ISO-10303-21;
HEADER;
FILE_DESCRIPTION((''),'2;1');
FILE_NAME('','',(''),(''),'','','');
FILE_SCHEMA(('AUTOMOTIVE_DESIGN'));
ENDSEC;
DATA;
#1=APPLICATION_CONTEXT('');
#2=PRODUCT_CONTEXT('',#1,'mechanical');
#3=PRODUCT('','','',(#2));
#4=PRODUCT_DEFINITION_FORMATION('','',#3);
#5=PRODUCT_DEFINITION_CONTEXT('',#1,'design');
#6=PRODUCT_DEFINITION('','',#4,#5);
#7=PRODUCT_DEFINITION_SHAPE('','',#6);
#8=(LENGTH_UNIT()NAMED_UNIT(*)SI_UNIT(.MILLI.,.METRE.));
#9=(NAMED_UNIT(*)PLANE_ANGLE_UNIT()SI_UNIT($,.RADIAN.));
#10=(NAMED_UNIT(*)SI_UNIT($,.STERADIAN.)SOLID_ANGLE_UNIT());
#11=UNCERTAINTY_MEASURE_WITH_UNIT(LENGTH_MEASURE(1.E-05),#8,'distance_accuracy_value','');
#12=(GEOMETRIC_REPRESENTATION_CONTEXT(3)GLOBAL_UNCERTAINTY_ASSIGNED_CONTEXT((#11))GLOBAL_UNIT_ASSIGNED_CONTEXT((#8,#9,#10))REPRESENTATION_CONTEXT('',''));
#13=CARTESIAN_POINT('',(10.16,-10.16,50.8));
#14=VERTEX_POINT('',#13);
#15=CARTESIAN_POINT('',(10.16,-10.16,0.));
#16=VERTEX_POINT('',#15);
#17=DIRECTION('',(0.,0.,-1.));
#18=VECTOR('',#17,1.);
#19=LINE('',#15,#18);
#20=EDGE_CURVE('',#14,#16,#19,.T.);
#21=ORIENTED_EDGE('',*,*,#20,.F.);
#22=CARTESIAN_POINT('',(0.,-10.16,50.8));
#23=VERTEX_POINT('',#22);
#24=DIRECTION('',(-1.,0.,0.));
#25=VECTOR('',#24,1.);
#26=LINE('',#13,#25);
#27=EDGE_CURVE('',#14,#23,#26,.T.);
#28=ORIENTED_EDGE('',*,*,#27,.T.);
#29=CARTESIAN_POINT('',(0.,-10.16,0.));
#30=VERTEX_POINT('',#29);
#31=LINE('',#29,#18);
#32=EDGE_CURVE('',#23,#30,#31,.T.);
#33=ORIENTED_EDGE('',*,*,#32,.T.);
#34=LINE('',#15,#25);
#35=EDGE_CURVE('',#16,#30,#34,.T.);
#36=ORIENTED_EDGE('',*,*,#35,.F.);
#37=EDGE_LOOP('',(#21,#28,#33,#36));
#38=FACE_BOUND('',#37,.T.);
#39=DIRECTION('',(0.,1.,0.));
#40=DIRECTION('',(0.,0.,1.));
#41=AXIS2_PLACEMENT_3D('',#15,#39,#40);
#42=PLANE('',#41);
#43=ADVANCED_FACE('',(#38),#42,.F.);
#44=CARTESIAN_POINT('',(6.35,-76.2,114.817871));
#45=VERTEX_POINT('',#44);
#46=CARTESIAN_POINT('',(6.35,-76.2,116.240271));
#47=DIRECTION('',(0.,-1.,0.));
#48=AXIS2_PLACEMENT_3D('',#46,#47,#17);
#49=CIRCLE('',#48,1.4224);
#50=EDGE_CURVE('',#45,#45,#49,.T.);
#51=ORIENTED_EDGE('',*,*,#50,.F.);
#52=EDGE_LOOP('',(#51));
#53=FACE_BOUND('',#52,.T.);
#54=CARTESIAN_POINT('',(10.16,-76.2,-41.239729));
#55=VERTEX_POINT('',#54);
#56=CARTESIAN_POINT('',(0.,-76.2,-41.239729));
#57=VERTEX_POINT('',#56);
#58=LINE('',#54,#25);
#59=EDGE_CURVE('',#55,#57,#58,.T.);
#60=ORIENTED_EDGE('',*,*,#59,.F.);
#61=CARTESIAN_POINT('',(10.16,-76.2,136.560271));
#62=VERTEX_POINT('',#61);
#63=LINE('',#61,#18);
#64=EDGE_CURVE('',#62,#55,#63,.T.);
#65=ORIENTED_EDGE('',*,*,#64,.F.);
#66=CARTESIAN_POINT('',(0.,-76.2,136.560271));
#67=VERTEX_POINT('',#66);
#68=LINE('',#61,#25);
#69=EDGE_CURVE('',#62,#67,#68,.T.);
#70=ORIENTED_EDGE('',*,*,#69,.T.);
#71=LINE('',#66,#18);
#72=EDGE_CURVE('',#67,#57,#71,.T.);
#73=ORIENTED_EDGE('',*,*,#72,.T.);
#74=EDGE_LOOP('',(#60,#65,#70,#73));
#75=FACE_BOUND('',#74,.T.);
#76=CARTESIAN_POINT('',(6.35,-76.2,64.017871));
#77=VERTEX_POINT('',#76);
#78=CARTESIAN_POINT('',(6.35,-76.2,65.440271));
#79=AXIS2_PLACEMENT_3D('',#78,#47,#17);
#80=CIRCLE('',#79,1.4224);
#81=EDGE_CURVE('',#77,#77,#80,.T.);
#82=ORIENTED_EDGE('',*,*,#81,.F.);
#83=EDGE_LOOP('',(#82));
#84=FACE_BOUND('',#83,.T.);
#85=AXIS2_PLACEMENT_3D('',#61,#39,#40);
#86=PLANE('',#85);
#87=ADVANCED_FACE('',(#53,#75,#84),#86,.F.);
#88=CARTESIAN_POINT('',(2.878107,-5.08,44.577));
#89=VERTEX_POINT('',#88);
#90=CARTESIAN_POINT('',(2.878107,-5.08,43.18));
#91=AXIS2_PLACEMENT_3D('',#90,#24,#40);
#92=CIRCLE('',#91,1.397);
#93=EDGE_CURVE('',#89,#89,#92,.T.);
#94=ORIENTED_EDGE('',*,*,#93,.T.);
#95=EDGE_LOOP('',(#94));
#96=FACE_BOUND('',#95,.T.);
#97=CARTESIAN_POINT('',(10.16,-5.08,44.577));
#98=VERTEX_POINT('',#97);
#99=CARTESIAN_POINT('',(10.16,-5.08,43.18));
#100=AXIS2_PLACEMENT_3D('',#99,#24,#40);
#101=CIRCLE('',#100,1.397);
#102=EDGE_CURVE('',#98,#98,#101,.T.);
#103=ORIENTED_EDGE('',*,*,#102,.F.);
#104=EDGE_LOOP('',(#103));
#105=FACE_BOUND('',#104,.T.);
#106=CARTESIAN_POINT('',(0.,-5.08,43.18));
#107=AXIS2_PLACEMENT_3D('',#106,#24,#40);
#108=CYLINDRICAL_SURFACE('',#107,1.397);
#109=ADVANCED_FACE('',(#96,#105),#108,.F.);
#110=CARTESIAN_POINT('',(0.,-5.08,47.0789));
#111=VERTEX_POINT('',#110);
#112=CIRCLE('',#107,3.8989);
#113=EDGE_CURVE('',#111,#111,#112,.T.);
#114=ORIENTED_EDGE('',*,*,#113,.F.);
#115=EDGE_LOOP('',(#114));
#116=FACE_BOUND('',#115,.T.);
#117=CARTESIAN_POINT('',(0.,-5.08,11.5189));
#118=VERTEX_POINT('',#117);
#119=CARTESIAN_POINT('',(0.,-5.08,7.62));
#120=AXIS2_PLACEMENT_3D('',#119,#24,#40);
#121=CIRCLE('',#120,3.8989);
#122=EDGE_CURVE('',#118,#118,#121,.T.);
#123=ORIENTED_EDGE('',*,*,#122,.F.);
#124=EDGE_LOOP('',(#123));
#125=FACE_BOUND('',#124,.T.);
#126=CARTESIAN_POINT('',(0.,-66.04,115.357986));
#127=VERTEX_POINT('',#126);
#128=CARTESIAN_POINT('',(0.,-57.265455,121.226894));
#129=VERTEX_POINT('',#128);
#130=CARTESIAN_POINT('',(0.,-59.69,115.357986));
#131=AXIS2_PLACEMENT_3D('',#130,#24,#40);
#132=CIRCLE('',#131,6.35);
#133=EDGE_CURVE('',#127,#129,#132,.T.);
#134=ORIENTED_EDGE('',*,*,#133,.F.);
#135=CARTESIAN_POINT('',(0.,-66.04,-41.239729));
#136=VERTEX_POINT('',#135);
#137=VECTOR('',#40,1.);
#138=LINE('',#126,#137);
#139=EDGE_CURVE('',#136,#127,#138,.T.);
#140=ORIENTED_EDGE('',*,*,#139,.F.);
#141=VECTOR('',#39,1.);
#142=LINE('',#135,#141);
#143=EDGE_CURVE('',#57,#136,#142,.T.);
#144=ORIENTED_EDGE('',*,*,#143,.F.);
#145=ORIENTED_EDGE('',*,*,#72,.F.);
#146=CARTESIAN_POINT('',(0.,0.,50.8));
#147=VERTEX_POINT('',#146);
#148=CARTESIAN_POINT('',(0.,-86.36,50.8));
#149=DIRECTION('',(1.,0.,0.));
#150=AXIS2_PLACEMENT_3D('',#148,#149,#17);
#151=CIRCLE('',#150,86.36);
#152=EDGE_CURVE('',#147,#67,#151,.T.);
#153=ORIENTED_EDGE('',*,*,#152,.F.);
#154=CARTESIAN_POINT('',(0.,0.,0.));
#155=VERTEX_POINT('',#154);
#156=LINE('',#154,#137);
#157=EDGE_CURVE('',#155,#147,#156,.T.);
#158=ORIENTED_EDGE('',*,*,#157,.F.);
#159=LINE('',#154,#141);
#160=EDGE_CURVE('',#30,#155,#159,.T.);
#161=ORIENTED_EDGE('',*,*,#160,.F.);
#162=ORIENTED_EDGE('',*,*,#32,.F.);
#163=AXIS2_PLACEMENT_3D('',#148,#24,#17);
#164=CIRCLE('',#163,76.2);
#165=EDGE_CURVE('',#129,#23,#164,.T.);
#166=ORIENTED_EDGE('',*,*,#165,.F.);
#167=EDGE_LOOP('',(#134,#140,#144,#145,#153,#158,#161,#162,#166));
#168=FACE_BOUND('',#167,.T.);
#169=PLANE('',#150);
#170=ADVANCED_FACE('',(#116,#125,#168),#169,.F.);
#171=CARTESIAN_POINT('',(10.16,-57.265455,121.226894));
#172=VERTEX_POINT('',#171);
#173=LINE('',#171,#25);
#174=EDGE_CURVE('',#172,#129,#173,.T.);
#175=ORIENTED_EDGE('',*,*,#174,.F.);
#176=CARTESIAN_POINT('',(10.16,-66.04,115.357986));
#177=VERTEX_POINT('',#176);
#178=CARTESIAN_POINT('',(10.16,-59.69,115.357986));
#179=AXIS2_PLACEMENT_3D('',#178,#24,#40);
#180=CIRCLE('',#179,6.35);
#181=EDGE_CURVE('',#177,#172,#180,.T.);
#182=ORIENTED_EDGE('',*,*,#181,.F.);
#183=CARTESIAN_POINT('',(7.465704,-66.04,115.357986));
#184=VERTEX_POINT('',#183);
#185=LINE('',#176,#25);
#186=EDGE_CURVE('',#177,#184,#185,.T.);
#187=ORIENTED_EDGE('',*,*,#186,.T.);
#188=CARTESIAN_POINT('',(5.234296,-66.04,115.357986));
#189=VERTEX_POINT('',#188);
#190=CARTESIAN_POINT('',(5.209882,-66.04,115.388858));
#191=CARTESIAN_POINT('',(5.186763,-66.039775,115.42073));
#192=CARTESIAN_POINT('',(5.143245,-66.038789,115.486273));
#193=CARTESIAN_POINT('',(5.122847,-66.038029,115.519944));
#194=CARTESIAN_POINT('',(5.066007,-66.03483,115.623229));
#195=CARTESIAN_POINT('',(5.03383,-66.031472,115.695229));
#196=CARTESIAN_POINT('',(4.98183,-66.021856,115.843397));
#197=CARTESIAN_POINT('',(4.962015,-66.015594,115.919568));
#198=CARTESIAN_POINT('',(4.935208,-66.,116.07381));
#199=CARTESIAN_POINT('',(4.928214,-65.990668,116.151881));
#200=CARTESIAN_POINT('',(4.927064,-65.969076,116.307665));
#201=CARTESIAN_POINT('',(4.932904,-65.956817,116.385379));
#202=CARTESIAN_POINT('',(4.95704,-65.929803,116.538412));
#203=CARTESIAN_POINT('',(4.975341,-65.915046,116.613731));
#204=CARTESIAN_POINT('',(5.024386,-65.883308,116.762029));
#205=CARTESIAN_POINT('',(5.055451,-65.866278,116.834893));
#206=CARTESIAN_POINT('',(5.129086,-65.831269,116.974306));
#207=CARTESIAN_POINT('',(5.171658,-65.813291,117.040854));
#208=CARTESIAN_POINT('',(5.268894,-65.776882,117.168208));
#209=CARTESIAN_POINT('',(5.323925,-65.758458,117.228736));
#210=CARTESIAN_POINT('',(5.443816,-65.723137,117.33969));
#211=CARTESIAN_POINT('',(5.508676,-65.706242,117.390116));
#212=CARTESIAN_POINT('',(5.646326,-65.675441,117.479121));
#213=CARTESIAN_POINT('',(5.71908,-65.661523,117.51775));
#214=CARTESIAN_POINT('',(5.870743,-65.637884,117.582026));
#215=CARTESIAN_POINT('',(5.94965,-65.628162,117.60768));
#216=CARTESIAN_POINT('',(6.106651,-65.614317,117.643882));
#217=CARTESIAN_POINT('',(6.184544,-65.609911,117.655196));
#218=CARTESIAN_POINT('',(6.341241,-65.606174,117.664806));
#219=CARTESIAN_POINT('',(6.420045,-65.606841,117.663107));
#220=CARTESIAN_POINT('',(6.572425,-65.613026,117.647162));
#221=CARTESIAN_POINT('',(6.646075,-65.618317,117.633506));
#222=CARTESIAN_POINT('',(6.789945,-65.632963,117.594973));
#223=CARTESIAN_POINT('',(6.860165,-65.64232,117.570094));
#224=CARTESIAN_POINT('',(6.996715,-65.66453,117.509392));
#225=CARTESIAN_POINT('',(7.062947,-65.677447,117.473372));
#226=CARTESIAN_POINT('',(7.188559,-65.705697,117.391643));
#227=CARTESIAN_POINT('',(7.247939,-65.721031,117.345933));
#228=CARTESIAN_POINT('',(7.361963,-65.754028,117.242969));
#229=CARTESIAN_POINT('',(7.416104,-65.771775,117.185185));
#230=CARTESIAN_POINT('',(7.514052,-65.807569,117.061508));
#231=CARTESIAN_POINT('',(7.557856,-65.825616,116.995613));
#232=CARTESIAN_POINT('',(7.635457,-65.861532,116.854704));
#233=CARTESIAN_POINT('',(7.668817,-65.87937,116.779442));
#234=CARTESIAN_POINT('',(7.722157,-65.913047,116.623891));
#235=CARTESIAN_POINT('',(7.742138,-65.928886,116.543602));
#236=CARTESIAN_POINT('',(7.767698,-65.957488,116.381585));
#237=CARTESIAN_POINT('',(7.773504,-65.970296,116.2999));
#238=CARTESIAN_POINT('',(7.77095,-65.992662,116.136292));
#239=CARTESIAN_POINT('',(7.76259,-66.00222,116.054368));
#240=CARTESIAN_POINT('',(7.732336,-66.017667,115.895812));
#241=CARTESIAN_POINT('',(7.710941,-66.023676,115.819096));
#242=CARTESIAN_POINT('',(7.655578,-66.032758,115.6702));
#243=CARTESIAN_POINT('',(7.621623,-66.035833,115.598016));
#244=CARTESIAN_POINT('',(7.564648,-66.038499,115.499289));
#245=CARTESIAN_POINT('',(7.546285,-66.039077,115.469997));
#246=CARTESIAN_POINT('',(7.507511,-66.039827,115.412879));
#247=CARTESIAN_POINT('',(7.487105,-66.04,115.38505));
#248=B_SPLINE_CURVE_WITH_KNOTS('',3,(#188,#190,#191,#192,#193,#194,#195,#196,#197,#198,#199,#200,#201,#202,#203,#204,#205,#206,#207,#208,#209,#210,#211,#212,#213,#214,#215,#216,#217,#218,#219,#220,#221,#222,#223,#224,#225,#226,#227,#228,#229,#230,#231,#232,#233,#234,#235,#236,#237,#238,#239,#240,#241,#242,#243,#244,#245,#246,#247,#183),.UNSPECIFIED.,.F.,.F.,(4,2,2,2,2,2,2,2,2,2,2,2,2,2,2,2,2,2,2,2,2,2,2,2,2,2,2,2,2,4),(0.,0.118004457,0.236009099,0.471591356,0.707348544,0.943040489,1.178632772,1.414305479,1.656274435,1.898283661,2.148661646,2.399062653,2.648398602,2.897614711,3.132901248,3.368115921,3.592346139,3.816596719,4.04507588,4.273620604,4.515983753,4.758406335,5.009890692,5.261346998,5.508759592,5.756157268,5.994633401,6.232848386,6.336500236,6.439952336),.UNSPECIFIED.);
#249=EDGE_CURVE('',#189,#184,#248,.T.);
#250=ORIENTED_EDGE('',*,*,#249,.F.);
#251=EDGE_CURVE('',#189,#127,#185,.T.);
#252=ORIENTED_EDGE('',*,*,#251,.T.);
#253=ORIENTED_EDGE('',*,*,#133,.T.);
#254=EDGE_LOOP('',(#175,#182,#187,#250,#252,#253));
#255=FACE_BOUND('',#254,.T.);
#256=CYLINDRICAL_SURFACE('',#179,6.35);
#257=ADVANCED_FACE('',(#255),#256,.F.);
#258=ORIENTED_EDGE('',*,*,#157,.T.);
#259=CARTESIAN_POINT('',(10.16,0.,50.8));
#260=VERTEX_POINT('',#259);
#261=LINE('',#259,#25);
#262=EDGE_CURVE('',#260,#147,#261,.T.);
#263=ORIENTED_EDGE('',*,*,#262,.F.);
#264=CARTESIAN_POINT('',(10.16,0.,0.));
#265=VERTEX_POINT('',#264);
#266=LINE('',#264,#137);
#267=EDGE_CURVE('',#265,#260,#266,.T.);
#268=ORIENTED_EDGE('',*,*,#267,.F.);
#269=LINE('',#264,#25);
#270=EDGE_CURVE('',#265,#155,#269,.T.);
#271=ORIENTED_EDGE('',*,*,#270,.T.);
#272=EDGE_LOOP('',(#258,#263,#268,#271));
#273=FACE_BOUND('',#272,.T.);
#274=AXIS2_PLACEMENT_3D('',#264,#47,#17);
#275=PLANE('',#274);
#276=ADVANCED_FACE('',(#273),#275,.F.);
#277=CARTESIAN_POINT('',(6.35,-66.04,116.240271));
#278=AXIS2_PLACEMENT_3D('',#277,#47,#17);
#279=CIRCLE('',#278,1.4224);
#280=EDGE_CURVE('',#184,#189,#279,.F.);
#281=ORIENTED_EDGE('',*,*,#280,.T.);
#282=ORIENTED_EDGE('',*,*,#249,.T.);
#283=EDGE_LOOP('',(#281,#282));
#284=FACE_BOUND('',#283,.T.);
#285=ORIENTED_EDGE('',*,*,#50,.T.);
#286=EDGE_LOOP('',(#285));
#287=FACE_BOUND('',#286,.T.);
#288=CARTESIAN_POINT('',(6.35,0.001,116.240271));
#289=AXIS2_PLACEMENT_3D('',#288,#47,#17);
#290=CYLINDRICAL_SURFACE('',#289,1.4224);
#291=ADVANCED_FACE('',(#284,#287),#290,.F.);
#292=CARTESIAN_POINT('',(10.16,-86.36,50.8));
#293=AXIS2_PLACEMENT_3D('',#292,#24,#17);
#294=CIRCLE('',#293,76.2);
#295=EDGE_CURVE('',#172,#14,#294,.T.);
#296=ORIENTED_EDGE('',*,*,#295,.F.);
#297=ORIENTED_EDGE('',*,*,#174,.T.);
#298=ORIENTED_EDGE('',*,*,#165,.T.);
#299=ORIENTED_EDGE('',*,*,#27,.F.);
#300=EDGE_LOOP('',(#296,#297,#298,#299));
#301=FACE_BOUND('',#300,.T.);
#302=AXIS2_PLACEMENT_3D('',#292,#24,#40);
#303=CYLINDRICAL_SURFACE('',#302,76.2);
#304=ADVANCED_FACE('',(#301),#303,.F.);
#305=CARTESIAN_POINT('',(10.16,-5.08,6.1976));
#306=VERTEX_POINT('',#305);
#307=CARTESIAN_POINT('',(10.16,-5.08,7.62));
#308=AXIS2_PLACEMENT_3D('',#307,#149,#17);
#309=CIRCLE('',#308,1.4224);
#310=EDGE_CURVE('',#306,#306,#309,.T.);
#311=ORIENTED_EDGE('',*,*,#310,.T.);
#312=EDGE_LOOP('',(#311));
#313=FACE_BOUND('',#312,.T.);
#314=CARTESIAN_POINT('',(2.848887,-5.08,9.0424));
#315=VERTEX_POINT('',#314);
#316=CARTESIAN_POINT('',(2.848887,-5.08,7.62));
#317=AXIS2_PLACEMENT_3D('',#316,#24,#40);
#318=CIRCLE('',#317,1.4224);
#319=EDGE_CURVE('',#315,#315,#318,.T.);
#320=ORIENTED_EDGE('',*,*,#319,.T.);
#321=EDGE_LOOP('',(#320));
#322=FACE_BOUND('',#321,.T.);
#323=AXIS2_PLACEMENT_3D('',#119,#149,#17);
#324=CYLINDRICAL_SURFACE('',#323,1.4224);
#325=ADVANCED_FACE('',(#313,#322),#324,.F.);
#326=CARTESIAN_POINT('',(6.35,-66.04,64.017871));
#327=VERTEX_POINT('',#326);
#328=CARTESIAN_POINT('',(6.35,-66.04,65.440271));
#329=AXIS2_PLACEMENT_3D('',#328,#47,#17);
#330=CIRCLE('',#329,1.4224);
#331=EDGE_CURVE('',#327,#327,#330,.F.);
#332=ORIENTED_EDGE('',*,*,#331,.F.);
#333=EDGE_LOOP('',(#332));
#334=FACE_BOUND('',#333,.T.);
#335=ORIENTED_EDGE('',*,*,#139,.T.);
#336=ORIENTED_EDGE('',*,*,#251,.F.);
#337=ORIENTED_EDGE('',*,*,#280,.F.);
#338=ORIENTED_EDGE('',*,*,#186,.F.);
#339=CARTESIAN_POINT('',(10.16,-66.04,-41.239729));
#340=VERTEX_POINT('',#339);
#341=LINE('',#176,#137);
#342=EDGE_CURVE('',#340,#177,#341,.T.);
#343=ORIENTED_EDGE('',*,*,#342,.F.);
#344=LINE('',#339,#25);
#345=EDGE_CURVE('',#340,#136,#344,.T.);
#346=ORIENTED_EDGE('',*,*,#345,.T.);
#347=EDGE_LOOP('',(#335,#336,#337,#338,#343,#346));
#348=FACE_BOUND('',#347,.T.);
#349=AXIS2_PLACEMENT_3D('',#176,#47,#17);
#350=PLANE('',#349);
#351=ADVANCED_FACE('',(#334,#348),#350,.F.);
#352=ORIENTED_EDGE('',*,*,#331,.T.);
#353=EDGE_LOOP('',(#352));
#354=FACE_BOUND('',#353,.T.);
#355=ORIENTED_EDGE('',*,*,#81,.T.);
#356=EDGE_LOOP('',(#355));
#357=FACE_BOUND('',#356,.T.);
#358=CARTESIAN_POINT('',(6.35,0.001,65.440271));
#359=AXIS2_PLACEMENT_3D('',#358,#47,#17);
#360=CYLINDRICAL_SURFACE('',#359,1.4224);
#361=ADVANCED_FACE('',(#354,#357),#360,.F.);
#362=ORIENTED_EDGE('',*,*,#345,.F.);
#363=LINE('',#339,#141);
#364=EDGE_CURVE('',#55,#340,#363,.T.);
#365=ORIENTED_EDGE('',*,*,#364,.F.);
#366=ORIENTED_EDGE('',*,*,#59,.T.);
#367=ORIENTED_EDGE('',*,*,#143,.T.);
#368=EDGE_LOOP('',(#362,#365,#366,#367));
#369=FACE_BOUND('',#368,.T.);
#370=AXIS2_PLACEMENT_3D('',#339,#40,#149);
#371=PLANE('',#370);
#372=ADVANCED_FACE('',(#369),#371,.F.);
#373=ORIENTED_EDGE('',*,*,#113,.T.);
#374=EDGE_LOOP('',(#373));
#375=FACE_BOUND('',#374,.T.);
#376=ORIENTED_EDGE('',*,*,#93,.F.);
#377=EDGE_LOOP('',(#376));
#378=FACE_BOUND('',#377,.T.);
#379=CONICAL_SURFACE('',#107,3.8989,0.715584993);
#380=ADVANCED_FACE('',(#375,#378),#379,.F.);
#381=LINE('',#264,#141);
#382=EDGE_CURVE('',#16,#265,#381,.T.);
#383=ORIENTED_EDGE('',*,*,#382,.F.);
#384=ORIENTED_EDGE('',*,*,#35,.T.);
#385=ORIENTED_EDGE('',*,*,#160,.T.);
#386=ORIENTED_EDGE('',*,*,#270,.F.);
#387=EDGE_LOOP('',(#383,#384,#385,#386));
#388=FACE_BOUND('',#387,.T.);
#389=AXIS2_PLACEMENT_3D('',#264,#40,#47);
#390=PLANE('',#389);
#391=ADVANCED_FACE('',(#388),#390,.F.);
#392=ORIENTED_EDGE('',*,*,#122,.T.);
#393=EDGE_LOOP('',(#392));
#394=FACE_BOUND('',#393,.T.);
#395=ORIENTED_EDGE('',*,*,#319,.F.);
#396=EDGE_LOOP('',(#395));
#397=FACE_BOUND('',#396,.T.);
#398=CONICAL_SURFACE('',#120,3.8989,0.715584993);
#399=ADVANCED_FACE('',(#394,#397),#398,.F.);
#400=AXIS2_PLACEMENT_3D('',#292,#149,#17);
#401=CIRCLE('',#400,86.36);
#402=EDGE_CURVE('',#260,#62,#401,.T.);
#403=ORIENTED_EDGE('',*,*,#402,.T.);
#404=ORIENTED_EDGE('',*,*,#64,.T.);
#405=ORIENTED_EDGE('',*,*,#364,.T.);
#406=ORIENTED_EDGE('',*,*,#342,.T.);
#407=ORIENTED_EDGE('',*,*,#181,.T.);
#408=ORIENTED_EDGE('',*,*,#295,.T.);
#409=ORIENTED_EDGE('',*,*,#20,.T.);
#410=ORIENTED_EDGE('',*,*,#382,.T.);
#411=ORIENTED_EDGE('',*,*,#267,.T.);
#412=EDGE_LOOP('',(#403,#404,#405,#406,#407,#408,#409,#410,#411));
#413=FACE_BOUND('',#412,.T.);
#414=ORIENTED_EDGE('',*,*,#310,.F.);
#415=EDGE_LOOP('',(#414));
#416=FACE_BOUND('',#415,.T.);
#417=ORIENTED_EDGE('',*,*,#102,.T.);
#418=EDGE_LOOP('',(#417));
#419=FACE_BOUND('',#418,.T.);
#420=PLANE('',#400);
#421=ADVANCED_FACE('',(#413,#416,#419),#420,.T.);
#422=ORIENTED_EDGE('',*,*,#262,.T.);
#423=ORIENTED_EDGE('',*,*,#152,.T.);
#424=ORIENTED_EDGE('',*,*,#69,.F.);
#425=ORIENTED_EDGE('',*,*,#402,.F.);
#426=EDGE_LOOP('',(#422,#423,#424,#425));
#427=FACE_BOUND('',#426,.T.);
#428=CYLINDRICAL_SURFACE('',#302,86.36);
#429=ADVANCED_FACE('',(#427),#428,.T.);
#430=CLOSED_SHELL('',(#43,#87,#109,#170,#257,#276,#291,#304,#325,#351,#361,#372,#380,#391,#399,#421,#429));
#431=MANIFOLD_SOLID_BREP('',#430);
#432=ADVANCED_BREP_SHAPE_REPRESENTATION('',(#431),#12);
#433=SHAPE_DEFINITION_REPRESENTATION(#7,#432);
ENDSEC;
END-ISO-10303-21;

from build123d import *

# Parameters (mm, degrees)
BOSS_EXTRUDE1_DEPTH                               = 10.16
SKETCH2_R                                         = 1.4224
CUT_EXTRUDE2_DEPTH                                = 157.71111347
CUT_EXTRUDE3_REACH                                = 158.711
SKETCH3_R                                         = 1.4224
CSK_FOR_3_FLAT_HEAD_MACHINE_SCREW_100_D           = 2.794
CSK_FOR_3_FLAT_HEAD_MACHINE_SCREW_100_CSINK_D     = 7.7978
CSK_FOR_3_FLAT_HEAD_MACHINE_SCREW_100_CSINK_ANGLE = 82


with BuildPart() as part:
    # Sketch1 → Boss-Extrude1 (new body)
    with BuildSketch(Plane(origin=(0, 0, 0), x_dir=(0, 0, -1), z_dir=(1, 0, 0))):
        with BuildLine():
            Line((-136.560270522, -76.2), (41.239729478, -76.2))
            Line((41.239729478, -76.2), (41.239729478, -66.04))
            Line((41.239729478, -66.04), (-115.357986338, -66.04))
            ThreePointArc((-115.357986338, -66.04), (-120.636166121, -63.220342502), (-121.226894187, -57.265454545))
            ThreePointArc((-121.226894187, -57.265454545), (-93.164110025, -23.021842608), (-50.8, -10.16))
            Line((-50.8, -10.16), (0, -10.16))
            Line((0, -10.16), (0, 0))
            Line((0, 0), (-50.8, 0))
            ThreePointArc((-50.8, 0), (-108.161276136, -21.802013662), (-136.560270522, -76.2))
        make_face()
    extrude(amount=BOSS_EXTRUDE1_DEPTH)

    # Sketch2 → Cut-Extrude2 (cut, through all)
    with BuildSketch(Plane(origin=(10.16, 0, 0), x_dir=(0, 0, -1), z_dir=(1, 0, 0))):
        with Locations((-7.62, -5.08)):
            Circle(SKETCH2_R)
    extrude(amount=-CUT_EXTRUDE2_DEPTH, mode=Mode.SUBTRACT)

    # Sketch3 → Cut-Extrude3 (cut, up to next)
    with BuildSketch(Plane.XZ.offset(76.2), mode=Mode.PRIVATE) as cut_extrude3_sk1:
        with Locations(Location((6.35, 116.240270522, 0), (0, 0, 270))):
            Circle(SKETCH3_R)
    cut_extrude3_tool1 = extrude(cut_extrude3_sk1.sketch, amount=-CUT_EXTRUDE3_REACH, mode=Mode.PRIVATE) & part.part
    # Sketch3 → Cut-Extrude3 (cut, up to next)
    with BuildSketch(Plane.XZ.offset(76.2), mode=Mode.PRIVATE) as cut_extrude3_sk2:
        with Locations(Location((6.35, 65.440270522, 0), (0, 0, 270))):
            Circle(SKETCH3_R)
    cut_extrude3_tool2 = extrude(cut_extrude3_sk2.sketch, amount=-CUT_EXTRUDE3_REACH, mode=Mode.PRIVATE) & part.part
    add(cut_extrude3_tool1.solids().sort_by_distance((6.35, -76.2, 116.240271))[0], mode=Mode.SUBTRACT)
    add(cut_extrude3_tool2.solids().sort_by_distance((6.35, -76.2, 65.440271))[0], mode=Mode.SUBTRACT)

    # CSK for #3 Flat Head Machine Screw (100)1 (through all)
    with Locations(Plane.ZY):
        with Locations((7.62, -5.08)):
            csk_for_3_flat_head_machine_screw_100 = CounterSinkHole(CSK_FOR_3_FLAT_HEAD_MACHINE_SCREW_100_D / 2, CSK_FOR_3_FLAT_HEAD_MACHINE_SCREW_100_CSINK_D / 2, counter_sink_angle=CSK_FOR_3_FLAT_HEAD_MACHINE_SCREW_100_CSINK_ANGLE)

    # Mirror1: CSK for #3 Flat Head Machine Screw (100)1 across plane
    add(csk_for_3_flat_head_machine_screw_100.mirror(Plane(origin=(0, 0, 25.4), x_dir=(1, 0, 0), z_dir=(0, 0, -1))), mode=Mode.SUBTRACT)


solid = part.part
